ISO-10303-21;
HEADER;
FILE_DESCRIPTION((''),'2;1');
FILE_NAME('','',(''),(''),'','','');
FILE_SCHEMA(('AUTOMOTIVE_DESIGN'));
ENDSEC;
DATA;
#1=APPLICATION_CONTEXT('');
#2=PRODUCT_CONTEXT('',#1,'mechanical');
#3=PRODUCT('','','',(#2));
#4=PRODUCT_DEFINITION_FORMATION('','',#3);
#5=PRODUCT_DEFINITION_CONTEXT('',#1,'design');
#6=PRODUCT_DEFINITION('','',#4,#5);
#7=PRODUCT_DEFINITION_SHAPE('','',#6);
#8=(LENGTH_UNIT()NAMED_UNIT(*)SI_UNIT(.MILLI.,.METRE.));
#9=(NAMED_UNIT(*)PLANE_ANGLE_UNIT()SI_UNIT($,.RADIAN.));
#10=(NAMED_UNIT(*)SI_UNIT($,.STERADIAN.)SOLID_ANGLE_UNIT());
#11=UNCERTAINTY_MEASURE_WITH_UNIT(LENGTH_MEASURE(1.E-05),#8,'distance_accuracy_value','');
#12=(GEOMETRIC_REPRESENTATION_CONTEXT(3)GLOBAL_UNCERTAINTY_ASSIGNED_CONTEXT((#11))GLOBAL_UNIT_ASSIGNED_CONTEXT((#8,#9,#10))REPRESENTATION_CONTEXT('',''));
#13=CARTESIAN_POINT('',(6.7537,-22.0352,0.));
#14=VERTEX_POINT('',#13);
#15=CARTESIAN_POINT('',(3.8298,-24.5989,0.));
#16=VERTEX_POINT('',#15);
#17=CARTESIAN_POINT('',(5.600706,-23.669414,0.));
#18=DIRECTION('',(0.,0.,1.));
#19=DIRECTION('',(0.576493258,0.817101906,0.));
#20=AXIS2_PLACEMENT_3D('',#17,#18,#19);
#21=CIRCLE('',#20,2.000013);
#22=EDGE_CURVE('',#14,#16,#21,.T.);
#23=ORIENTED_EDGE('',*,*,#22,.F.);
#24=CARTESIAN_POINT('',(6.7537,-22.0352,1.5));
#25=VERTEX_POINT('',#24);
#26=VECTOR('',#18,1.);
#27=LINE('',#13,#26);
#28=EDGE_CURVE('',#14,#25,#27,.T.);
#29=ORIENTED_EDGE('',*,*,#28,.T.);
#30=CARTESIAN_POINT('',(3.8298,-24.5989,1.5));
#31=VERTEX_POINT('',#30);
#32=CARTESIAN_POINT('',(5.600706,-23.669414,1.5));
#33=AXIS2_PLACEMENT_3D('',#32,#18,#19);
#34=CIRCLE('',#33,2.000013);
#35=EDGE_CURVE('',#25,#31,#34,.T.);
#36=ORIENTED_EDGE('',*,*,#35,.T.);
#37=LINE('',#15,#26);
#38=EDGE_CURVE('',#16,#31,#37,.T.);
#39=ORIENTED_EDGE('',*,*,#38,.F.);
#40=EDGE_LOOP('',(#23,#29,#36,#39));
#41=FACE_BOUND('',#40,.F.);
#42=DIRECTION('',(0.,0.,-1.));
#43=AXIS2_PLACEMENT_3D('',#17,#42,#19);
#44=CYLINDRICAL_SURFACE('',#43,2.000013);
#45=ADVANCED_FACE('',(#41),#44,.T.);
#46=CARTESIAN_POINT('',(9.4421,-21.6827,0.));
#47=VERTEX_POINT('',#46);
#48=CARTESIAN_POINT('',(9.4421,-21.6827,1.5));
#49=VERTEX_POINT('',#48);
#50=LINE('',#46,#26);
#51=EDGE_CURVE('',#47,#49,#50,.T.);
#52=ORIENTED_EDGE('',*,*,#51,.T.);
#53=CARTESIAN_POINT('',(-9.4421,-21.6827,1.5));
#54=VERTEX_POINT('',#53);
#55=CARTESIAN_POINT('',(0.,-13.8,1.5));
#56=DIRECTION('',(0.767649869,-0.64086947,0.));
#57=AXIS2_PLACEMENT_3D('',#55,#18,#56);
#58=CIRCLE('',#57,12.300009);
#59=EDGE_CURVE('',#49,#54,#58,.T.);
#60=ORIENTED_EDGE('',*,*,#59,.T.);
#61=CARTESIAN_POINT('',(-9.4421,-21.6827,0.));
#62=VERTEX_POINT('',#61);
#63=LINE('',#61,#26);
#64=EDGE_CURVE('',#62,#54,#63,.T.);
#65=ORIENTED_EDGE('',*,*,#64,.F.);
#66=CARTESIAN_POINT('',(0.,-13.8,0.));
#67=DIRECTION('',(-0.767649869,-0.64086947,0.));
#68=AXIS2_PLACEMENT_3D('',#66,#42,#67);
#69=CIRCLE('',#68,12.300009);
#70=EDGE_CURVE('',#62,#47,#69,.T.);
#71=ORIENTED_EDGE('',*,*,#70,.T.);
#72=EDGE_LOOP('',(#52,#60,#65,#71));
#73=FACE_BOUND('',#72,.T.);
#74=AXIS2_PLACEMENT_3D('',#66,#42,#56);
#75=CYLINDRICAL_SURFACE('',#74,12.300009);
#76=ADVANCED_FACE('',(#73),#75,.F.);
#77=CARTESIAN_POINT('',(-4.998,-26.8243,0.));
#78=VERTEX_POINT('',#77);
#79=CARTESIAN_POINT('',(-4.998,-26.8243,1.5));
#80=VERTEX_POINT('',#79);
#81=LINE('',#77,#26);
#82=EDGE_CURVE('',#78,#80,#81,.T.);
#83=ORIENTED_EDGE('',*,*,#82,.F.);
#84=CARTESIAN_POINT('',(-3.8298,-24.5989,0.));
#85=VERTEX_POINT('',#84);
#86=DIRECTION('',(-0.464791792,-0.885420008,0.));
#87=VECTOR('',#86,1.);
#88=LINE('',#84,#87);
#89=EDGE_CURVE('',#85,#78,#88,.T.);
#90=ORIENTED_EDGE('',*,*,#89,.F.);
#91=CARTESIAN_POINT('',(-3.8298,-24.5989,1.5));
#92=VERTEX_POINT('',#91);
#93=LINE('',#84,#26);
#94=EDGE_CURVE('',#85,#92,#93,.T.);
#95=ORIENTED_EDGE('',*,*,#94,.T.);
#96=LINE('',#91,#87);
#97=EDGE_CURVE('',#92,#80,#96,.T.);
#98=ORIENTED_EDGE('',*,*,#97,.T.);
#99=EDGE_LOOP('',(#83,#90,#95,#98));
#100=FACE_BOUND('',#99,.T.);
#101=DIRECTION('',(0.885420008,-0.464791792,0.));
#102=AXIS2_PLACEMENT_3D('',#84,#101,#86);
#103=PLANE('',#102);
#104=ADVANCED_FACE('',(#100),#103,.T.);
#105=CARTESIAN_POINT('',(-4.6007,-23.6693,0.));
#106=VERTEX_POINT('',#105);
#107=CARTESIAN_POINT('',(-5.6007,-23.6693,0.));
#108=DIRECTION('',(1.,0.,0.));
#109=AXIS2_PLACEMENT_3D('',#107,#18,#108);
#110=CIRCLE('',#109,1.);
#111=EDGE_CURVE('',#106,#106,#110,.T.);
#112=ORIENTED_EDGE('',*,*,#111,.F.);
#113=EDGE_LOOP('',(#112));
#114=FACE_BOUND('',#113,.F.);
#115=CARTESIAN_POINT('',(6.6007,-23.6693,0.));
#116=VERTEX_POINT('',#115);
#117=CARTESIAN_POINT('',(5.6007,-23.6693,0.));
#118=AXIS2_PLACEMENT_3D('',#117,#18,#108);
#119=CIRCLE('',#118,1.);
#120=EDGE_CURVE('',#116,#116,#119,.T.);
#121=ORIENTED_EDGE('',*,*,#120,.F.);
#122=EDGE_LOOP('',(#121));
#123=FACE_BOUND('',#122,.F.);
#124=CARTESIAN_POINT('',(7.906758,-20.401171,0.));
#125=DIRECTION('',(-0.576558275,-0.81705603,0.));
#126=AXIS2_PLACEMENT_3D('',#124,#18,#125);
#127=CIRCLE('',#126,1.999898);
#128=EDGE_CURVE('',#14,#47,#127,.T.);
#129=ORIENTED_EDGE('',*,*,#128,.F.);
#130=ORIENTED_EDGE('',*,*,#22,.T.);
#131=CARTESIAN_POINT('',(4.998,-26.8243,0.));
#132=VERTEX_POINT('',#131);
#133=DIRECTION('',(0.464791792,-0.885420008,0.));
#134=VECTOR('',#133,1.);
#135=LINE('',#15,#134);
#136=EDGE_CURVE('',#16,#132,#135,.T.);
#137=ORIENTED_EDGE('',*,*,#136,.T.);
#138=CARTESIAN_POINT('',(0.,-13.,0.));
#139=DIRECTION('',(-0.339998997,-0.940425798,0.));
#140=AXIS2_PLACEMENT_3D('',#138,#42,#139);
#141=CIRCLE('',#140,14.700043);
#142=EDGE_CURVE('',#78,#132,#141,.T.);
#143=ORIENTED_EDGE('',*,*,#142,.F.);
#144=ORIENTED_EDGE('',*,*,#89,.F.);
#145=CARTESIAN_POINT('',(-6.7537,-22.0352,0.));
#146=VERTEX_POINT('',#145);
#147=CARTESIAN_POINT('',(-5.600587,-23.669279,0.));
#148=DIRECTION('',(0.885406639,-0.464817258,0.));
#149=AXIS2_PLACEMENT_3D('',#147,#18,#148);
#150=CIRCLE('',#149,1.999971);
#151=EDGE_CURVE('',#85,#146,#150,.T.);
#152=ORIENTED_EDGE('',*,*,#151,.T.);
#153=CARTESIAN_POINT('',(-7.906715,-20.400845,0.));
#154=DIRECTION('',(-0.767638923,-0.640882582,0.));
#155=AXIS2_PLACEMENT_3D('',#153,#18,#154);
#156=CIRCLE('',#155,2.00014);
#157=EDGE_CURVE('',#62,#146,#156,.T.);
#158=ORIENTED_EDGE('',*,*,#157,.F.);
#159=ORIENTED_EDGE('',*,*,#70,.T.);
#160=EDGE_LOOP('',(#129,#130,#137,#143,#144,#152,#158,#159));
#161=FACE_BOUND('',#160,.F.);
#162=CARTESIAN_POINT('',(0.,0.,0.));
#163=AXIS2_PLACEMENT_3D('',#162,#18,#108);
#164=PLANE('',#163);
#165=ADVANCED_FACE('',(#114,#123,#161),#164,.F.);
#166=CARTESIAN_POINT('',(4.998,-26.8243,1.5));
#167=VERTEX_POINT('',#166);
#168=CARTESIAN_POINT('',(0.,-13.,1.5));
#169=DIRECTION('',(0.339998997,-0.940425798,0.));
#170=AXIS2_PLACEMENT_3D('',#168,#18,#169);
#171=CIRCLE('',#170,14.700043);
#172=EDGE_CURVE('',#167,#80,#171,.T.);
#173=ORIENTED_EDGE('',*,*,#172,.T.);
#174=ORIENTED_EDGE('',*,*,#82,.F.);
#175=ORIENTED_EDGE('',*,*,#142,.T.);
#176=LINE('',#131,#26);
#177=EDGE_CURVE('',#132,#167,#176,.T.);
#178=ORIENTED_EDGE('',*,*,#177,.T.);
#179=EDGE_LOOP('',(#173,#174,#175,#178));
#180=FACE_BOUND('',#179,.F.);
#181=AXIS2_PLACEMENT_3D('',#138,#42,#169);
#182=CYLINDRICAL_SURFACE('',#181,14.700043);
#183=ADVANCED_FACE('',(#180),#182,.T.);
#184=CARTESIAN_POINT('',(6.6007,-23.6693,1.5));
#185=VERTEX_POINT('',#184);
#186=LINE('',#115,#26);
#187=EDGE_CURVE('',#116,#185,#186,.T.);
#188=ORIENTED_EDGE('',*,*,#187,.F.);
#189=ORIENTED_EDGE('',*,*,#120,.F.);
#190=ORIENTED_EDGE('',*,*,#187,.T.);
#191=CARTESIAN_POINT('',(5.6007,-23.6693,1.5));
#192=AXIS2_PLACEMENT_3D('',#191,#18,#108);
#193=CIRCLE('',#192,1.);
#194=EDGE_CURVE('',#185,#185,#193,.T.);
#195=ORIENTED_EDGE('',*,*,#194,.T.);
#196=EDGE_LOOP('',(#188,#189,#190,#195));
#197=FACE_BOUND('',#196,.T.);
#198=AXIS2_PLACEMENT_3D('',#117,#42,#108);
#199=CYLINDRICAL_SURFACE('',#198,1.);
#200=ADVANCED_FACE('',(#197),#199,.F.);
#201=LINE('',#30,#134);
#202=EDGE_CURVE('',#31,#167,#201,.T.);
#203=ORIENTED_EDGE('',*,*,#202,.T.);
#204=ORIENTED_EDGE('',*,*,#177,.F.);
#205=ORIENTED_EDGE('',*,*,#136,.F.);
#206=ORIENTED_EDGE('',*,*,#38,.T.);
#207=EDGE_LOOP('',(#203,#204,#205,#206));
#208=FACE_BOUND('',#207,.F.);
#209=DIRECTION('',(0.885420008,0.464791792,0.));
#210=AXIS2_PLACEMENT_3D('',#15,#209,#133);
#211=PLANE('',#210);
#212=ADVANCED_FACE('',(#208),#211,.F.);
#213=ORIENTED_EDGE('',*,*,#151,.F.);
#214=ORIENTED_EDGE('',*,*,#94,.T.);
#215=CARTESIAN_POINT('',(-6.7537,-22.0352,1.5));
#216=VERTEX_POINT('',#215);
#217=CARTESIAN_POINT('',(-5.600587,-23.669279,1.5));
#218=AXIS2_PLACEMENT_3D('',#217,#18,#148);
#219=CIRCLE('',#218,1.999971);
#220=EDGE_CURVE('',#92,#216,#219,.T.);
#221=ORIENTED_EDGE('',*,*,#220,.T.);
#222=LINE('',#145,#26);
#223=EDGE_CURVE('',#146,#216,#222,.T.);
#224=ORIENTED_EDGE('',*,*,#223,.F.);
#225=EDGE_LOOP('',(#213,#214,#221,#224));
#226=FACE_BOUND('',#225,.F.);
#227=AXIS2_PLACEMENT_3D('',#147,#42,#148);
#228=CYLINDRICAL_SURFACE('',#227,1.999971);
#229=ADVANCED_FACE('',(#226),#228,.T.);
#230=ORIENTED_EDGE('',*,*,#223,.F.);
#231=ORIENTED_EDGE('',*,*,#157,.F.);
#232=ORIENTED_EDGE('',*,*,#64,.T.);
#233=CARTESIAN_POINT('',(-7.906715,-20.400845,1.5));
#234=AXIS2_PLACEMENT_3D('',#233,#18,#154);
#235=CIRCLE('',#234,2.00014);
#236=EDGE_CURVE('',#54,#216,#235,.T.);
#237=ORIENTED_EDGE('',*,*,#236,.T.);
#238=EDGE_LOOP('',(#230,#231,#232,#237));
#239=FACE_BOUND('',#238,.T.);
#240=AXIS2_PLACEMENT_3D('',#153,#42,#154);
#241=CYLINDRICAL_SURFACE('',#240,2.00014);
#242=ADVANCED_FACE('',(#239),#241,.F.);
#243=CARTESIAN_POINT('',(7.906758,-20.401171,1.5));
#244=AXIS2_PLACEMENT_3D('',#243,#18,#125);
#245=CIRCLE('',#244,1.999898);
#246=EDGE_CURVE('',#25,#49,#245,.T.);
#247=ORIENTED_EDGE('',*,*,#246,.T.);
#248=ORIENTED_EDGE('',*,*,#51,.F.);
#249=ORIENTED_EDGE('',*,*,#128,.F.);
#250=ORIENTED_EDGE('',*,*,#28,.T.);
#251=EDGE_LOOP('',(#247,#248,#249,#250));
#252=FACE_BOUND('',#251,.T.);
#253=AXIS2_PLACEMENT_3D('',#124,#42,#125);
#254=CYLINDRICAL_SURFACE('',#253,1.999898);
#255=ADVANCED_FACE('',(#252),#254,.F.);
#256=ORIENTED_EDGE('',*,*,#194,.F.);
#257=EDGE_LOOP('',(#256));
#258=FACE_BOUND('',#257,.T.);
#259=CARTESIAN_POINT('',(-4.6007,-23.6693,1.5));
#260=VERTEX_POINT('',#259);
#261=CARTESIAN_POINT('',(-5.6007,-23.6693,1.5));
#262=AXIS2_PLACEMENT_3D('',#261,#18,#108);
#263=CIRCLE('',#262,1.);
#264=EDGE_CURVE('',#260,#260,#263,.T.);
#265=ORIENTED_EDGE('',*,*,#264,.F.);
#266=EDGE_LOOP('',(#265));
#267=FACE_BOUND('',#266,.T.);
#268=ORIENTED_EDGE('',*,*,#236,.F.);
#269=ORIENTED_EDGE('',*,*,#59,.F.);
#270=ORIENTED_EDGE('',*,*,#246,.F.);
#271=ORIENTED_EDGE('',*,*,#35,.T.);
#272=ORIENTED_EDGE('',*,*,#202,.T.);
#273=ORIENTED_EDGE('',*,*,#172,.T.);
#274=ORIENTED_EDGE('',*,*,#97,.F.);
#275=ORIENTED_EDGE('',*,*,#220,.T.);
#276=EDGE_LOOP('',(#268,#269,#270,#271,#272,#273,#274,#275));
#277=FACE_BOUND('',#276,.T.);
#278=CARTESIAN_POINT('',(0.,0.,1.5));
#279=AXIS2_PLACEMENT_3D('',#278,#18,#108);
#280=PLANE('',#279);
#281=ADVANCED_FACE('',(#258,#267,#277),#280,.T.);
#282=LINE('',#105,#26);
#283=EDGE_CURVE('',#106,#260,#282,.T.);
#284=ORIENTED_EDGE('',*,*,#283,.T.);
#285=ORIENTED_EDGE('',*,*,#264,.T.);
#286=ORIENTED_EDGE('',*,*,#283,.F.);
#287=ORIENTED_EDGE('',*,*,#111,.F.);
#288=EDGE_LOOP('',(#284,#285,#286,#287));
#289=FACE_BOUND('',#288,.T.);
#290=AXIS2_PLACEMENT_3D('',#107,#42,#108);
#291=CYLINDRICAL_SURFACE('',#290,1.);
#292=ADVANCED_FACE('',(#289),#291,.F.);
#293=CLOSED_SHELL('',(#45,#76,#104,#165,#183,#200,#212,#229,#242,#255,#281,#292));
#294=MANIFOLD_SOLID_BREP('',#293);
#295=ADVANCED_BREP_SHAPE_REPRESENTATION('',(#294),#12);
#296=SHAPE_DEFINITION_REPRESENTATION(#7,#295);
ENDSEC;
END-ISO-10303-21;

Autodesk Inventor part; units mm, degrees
ref_plane "YZ Plane" through (0, 0, 0) normal (1, 0, 0) x (0, 1, 0)
ref_plane "XZ Plane" through (0, 0, 0) normal (0, 1, 0) x (-1, 0, 0)
sketch "Sketch1" plane through (0, 0, 0) normal (0, 0, 1) x (1, 0, 0)
  arc A0 (9.4421, -21.6827) -> (-9.4421, -21.6827) centre (0, -13.8) ccw
  line L0 (0, 15.1128) -> (0, -73.1766) projected
  line L1 (-45.5, 0) -> (45.5, 0) projected
  line L2 (-4.9645, 1.7) -> (1.5024, 1.7) construction
  arc A1 (4.998, -26.8243) -> (-4.998, -26.8243) centre (0, -13) ccw
  line L3 (0, -1.5) -> (-5.3069, -1.5) construction
  line L4 (0, -13) -> (-6.8324, -26.0157) construction
  line L5 (-6.8324, -26.0157) -> (-20.0146, -19.0959) construction
  line L6 (-5.6007, -23.6693) -> (-15.85, -18.2891) construction
  circle A2 centre (-5.6007, -23.6693) radius 1
  arc A3 (-3.8298, -24.5989) -> (-6.7537, -22.0352) centre (-5.6007, -23.6693) ccw
  arc A4 (-9.4421, -21.6827) -> (-6.7537, -22.0352) centre (-7.9068, -20.401) ccw
  line L7 (-3.8298, -24.5989) -> (-4.998, -26.8243)
  circle A5 centre (5.6007, -23.6693) radius 1
  arc A6 (6.7537, -22.0352) -> (3.8298, -24.5989) centre (5.6007, -23.6693) ccw
  arc A7 (6.7537, -22.0352) -> (9.4421, -21.6827) centre (7.9068, -20.401) ccw
  line L8 (3.8298, -24.5989) -> (4.998, -26.8243)
  point P0 (-12.9705, -19.8007)
  point P1 (6.8324, -26.0157)
  dimension "d8" = 0.8
  dimension "d38" = 3.2
  dimension "d39" = 13
  dimension "d43" = 14.7
  dimension "d45" = 2.65
  dimension "d46" = 2
  dimension "d47" = 4.998
  dimension "d48" = 2
  dimension "d49" = 2
extrude "Body" add sketch "Sketch1" along normal blind 1.5
ref_plane "Work Plane1" through (0, -13.8, 0) normal (1, 0, 0) x (0, 0, 1)
equation "\"d8\" = 0.25 * SRB1"
equation "\"d38\" = SRB1"
equation "\"d39\" = 0.5 * WD"
equation "\"d43\" = 0.5 * ND"
equation "\"d45\" = 0.5 * SRB2"
equation "\"d46\" = SD5"
equation "\"d47\" = 0.17 * ND"
equation "\"d48\" = SD5"
equation "\"d49\" = SD5"
equation "\"d2\" = SD"
equation "\"WD\" = WDMIN"
equation "\"SD\" = 1.5"
equation "\"SRB1\" = 3.2"
equation "\"ND\" = 29.4"
equation "\"SRB2\" = 5.3"
equation "\"SD5\" = 2"
equation "\"WDMIN\" = 26"
equation "\"SD6\" = 30.1"
equation "\"NND\" = 28"
equation "\"WDMAX\" = NND"
properties part number "DIN 472 - 28 x 1.5" material "Steel, Mild"
